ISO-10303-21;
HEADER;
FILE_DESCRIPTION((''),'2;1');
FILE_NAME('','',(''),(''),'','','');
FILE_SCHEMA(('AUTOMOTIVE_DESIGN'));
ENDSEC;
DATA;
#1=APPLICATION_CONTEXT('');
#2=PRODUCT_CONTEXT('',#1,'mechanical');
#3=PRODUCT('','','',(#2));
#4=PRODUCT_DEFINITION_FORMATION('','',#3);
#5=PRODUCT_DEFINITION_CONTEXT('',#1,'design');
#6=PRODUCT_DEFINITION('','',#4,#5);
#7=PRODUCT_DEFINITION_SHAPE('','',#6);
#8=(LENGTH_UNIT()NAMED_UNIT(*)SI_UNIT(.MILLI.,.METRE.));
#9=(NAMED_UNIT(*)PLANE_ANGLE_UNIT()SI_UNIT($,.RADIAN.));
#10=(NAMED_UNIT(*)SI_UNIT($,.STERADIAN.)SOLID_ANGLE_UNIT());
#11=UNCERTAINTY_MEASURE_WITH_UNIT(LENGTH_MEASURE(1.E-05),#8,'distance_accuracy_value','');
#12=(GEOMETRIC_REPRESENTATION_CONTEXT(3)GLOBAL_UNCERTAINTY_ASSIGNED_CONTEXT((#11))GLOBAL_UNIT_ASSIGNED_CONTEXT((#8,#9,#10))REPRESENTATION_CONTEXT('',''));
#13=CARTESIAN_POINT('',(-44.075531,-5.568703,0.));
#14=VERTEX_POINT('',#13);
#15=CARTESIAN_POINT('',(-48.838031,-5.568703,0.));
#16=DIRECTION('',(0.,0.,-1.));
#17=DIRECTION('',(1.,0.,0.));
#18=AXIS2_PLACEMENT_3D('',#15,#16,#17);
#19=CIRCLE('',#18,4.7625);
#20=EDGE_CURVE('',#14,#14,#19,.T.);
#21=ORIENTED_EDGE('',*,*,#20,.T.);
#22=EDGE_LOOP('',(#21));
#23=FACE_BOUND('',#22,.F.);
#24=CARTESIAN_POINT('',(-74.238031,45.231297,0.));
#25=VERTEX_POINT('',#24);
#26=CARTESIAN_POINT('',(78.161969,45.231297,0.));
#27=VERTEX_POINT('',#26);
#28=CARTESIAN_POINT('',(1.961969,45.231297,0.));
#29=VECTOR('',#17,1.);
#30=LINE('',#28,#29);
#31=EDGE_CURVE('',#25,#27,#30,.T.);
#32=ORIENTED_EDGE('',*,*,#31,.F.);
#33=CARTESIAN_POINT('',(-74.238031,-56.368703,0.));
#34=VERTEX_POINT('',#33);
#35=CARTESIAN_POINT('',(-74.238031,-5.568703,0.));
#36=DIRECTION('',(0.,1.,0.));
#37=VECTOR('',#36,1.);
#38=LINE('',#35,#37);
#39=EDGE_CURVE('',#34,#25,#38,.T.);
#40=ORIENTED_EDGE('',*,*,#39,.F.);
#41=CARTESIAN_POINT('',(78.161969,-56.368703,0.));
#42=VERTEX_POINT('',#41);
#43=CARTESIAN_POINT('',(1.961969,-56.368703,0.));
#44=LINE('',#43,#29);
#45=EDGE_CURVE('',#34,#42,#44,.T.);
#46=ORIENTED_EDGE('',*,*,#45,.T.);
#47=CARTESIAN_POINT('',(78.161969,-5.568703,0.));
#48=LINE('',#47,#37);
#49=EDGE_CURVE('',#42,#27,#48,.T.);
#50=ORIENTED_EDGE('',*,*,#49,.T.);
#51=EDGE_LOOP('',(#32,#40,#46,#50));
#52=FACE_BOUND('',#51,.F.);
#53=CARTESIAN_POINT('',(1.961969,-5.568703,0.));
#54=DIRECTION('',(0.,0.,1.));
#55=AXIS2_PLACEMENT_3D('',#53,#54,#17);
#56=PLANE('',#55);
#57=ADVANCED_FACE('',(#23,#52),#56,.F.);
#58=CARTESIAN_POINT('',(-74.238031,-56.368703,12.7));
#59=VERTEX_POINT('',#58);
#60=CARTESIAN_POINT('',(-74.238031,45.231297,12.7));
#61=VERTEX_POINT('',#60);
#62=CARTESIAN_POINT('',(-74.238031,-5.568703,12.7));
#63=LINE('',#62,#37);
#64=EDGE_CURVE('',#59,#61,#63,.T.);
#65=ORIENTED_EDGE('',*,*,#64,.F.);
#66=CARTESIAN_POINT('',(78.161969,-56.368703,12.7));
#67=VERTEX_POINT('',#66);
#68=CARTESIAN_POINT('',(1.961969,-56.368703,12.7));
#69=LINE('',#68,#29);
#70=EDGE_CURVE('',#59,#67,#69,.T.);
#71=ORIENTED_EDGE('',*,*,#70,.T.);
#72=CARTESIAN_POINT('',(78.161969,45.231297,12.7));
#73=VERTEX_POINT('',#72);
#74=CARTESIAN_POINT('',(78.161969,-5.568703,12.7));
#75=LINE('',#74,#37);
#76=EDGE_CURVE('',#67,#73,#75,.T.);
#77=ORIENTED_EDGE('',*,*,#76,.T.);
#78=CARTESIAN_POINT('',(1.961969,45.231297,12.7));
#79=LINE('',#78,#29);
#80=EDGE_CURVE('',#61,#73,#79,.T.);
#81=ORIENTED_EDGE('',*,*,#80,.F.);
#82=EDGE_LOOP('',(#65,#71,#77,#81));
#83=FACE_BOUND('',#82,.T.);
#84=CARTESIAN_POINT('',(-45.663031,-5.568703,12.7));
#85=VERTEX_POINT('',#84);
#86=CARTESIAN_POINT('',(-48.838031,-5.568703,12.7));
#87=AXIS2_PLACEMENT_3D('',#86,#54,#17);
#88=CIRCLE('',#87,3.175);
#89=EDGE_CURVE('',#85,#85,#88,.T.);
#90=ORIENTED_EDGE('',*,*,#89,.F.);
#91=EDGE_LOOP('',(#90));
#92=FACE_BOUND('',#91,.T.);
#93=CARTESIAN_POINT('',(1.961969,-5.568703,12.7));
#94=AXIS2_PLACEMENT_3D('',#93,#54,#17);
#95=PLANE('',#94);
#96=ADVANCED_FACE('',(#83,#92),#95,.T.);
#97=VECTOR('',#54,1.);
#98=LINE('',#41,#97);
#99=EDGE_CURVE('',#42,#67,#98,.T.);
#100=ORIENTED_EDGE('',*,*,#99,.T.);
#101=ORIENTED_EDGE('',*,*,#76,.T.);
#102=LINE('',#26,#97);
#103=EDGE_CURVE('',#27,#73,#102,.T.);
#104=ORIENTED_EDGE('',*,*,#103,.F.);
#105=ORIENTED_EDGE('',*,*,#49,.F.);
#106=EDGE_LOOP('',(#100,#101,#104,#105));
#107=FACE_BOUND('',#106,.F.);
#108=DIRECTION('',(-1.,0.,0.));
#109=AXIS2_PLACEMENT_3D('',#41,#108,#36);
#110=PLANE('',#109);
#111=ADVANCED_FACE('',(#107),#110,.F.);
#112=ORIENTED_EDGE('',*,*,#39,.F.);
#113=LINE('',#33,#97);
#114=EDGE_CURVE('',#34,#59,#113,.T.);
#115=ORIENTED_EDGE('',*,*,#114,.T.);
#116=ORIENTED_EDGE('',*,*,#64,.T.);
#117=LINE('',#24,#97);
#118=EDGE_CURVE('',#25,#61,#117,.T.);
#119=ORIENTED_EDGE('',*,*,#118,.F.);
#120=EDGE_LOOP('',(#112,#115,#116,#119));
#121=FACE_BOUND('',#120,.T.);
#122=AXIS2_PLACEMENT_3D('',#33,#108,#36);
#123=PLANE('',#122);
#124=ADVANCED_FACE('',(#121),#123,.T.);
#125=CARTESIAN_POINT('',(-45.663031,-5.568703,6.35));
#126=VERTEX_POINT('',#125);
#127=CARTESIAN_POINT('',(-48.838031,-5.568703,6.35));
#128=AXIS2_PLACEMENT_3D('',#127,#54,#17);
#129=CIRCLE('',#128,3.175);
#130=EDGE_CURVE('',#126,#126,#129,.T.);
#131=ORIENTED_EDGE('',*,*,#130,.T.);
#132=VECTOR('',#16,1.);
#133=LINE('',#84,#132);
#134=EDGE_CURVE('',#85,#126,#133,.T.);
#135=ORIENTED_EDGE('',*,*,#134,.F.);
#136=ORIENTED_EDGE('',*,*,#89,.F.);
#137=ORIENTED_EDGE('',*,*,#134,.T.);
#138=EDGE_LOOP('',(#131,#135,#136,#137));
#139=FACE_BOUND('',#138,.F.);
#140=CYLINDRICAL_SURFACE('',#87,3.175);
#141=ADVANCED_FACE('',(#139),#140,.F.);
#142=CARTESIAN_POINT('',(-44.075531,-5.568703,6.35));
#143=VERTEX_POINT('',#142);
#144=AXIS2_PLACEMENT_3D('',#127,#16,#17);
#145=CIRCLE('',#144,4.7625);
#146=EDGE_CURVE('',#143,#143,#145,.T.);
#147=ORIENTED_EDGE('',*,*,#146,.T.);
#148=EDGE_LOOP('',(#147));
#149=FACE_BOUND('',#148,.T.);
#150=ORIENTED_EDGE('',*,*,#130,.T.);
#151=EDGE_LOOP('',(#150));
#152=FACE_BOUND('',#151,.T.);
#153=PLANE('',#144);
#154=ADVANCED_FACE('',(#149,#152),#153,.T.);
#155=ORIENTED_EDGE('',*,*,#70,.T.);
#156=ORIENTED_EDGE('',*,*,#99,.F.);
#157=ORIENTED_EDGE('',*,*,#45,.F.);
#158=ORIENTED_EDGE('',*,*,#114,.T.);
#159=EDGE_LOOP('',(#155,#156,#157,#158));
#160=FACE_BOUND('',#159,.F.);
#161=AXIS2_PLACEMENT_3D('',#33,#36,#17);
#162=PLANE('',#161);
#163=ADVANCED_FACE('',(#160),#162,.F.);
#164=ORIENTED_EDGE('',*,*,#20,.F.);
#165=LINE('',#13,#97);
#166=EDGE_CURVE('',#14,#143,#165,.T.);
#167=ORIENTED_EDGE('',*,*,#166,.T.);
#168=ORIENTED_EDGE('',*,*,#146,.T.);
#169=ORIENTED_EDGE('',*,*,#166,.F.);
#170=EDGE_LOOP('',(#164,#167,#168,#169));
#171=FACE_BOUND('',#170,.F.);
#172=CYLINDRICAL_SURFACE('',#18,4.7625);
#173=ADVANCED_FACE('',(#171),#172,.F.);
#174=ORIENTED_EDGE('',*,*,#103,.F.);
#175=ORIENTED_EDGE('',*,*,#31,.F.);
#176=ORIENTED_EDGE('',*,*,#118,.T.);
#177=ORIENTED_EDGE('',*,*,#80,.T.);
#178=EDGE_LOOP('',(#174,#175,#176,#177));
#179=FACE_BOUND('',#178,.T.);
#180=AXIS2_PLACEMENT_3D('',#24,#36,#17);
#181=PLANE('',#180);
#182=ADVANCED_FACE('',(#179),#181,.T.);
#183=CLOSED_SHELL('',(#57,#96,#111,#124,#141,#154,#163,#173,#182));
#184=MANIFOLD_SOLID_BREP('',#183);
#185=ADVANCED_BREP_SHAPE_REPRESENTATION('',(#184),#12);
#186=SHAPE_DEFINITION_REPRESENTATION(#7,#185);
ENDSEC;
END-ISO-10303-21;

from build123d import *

# Parameters (mm, degrees)
F0_W     = 152.4
F0_H     = 101.6
F1_DEPTH = 12.7
F2_R     = 3.175
F3_DEPTH = 12.701
F4_R     = 4.7625
F5_DEPTH = 6.35


with BuildPart() as f1:
    # F0 (on Top) → F1 (new body)
    with BuildSketch(Plane.XY):
        with Locations((1.961969, -5.568703)):
            Rectangle(F0_W, F0_H)
    extrude(amount=F1_DEPTH)

    # F2 (on face) → F3 (cut, through all)
    with BuildSketch(Plane.XY.offset(12.7)):
        with Locations((-48.838031, -5.568703)):
            Circle(F2_R)
    extrude(amount=-F3_DEPTH, mode=Mode.SUBTRACT)

    # F4 (on face) → F5 (cut)
    with BuildSketch(Plane(origin=(0, 0, 0), x_dir=(1, 0, 0), z_dir=(0, 0, -1))):
        with Locations((-48.838031, 5.568703)):
            Circle(F4_R)
    extrude(amount=-F5_DEPTH, mode=Mode.SUBTRACT)


solid = f1.part
